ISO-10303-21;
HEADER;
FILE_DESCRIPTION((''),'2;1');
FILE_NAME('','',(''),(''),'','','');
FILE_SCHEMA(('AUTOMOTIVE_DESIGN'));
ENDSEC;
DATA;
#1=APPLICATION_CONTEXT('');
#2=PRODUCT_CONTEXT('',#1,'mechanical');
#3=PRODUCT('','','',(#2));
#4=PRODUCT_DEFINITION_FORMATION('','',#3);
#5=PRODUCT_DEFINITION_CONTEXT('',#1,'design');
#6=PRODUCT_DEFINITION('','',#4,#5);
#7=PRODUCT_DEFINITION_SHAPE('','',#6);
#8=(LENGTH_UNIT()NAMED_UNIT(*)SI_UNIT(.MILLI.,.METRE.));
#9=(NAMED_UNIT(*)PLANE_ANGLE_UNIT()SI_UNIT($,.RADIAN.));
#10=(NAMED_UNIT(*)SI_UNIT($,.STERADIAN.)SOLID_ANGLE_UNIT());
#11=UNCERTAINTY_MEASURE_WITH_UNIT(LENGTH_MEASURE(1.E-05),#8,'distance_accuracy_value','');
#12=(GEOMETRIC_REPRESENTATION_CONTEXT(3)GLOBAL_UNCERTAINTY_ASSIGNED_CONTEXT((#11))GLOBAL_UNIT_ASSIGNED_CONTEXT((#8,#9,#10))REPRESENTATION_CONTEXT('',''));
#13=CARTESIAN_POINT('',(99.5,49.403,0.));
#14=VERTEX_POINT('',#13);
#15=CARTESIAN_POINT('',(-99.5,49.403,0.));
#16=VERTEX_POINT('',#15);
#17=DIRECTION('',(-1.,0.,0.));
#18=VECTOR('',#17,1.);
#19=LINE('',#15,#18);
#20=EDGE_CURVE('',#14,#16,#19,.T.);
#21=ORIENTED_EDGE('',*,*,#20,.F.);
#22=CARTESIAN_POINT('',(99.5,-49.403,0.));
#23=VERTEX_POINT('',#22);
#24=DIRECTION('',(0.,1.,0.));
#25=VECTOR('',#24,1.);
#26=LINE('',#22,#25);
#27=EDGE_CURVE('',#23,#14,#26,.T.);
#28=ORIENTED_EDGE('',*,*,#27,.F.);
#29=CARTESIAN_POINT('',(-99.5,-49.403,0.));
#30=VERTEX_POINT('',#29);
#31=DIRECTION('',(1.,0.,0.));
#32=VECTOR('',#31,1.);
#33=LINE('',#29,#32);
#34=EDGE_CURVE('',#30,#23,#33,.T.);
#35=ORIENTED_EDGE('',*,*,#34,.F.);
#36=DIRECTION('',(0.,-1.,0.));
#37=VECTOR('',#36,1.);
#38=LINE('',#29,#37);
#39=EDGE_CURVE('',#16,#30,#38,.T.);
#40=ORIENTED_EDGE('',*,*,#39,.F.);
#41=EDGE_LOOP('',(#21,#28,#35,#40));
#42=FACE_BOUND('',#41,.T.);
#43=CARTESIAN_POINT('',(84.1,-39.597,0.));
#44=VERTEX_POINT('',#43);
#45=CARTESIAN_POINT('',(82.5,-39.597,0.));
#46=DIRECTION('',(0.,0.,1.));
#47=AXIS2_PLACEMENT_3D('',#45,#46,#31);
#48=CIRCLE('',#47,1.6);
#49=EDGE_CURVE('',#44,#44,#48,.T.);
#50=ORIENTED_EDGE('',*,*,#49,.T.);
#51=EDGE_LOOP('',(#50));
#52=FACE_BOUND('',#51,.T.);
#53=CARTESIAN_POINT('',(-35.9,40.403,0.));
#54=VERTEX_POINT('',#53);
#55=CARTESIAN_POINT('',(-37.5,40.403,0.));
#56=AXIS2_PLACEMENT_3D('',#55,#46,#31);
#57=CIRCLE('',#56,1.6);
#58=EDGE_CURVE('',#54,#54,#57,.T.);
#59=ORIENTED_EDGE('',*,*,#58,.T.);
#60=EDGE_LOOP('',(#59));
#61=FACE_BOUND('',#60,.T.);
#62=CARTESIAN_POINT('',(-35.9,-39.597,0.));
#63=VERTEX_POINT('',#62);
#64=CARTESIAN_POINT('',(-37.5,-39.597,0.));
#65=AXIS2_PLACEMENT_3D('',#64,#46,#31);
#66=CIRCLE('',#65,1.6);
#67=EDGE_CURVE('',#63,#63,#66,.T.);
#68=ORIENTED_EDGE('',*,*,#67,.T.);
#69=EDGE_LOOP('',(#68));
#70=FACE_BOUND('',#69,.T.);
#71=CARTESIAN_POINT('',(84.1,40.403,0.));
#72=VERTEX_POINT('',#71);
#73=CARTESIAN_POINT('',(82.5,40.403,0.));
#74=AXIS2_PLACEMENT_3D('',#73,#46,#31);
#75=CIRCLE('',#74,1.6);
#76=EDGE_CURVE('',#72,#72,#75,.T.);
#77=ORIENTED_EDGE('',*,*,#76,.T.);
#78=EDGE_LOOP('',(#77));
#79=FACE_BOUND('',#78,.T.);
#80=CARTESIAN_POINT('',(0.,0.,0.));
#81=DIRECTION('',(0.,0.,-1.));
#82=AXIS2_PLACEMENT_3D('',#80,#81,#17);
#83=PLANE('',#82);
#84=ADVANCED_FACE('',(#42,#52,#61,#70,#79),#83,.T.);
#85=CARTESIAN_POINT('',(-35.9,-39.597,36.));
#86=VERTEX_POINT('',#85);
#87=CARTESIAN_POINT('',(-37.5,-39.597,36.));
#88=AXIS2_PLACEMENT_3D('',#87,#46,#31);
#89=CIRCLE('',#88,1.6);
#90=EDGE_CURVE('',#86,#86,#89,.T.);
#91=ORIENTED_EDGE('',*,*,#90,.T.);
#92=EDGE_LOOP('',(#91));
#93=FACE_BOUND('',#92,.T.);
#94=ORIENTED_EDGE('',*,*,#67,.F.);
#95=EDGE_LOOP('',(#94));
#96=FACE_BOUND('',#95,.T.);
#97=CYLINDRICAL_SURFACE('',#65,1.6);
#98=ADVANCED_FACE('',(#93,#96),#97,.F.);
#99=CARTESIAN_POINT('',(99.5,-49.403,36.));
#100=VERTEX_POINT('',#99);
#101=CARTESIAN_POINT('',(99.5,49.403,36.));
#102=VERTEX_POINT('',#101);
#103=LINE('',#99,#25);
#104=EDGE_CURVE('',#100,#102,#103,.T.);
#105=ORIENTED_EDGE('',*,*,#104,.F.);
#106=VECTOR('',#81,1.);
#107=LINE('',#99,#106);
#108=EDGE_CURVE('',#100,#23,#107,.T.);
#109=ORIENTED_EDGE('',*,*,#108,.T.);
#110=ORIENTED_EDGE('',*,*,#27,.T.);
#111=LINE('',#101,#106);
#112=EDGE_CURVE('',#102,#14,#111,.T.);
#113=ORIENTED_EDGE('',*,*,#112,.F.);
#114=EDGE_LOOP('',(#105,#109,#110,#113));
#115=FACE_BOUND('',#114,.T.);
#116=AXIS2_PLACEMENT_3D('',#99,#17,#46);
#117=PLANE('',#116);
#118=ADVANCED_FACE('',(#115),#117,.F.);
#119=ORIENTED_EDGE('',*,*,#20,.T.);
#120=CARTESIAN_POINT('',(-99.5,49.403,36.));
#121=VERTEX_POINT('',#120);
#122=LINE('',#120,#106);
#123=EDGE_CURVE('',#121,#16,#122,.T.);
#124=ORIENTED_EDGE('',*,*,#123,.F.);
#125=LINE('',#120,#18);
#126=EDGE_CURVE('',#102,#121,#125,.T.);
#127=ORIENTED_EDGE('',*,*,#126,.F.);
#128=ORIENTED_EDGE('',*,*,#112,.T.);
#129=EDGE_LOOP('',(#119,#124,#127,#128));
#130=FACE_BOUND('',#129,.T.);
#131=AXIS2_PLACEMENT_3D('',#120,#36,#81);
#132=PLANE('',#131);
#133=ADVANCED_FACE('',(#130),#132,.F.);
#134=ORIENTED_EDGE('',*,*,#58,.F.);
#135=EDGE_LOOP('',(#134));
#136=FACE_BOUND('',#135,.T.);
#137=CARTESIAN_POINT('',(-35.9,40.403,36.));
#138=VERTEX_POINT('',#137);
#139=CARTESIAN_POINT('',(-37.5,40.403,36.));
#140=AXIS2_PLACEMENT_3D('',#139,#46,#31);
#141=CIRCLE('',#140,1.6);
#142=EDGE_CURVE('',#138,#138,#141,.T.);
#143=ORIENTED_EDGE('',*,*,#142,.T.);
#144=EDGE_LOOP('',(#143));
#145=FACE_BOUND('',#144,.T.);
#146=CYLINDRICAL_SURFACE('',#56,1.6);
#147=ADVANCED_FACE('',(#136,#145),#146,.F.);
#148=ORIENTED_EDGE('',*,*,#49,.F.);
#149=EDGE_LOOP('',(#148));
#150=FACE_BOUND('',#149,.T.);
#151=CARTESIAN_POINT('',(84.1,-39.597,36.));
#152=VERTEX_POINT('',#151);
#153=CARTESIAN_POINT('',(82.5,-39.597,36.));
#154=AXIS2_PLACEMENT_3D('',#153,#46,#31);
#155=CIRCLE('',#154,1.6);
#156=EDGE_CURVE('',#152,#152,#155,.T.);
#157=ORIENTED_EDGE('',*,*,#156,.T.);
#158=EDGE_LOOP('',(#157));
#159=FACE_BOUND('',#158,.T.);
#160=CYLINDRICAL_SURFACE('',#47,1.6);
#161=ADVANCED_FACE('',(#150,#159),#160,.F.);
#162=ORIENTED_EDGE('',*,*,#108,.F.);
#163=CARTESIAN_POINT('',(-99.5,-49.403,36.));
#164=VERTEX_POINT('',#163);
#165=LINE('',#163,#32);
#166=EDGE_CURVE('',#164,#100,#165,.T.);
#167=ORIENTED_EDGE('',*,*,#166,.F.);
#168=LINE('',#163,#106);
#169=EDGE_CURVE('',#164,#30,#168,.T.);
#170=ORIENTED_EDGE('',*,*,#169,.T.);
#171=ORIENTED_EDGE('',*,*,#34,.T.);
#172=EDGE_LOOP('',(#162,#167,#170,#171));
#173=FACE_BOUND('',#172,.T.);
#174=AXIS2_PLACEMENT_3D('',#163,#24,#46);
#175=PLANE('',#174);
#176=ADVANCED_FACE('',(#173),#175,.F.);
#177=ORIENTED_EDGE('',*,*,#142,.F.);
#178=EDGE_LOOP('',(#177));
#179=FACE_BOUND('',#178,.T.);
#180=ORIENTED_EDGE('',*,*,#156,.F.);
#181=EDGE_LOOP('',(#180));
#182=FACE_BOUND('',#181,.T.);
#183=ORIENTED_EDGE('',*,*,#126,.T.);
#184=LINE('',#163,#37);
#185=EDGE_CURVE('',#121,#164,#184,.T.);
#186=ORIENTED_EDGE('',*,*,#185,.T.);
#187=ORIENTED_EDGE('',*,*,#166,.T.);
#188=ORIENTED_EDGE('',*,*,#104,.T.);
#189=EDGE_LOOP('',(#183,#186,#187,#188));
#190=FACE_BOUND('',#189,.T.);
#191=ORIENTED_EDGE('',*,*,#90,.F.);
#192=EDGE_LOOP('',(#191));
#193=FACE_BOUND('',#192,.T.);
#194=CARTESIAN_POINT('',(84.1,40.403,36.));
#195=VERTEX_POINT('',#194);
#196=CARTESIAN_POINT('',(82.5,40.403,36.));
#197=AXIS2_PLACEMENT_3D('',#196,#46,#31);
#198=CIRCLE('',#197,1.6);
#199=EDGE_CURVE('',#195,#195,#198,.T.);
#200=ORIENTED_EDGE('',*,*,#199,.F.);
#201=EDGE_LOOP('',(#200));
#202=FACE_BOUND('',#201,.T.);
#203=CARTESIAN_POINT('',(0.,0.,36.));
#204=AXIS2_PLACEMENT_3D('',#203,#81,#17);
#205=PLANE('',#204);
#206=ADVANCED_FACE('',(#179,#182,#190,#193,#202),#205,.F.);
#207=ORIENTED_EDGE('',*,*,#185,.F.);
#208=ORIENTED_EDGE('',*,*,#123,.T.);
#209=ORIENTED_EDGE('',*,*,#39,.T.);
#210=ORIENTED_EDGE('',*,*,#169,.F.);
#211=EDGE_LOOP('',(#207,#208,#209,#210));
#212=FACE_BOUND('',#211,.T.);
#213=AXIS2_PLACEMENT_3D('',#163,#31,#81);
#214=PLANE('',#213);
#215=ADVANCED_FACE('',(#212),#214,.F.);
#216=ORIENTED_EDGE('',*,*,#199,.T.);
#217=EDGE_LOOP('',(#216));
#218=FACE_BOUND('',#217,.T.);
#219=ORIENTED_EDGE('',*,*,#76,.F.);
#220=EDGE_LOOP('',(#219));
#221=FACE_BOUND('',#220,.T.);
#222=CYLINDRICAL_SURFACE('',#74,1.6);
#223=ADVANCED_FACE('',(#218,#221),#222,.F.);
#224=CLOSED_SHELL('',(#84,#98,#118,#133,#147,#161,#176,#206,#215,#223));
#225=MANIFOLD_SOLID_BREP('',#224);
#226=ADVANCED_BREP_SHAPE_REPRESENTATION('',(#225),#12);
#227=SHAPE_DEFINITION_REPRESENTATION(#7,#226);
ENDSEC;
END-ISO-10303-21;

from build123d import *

# Parameters (mm, degrees)
SKETCH1_W            = 199
SKETCH1_H            = 98.806
BOSS_EXTRUDE1_DEPTH  = 36
SKETCH2_R            = 1.6
CUT_EXTRUDE1_DEPTH   = 37
LPATTERN1_COUNT      = 2
LPATTERN1_PITCH      = 120
LPATTERN1_COUNT_DIR2 = 2
LPATTERN1_PITCH_DIR2 = 80


with BuildPart() as part:
    # Sketch1 → Boss-Extrude1 (new body)
    with BuildSketch(Plane.XY):
        Rectangle(SKETCH1_W, SKETCH1_H)
    extrude(amount=BOSS_EXTRUDE1_DEPTH)

    # Sketch2 → Cut-Extrude1 (cut, through all)
    with BuildSketch(Plane.XY.offset(36)):
        with Locations((-37.5, 40.403)):
            Circle(SKETCH2_R)
    cut_extrude1 = extrude(amount=-CUT_EXTRUDE1_DEPTH, mode=Mode.SUBTRACT)

    # LPattern1: Cut-Extrude1 2 × 2
    with Locations(*[(i * LPATTERN1_PITCH, -j * LPATTERN1_PITCH_DIR2, 0) for i in range(LPATTERN1_COUNT) for j in range(LPATTERN1_COUNT_DIR2) if (i, j) != (0, 0)]):
        add(cut_extrude1, mode=Mode.SUBTRACT)


solid = part.part
